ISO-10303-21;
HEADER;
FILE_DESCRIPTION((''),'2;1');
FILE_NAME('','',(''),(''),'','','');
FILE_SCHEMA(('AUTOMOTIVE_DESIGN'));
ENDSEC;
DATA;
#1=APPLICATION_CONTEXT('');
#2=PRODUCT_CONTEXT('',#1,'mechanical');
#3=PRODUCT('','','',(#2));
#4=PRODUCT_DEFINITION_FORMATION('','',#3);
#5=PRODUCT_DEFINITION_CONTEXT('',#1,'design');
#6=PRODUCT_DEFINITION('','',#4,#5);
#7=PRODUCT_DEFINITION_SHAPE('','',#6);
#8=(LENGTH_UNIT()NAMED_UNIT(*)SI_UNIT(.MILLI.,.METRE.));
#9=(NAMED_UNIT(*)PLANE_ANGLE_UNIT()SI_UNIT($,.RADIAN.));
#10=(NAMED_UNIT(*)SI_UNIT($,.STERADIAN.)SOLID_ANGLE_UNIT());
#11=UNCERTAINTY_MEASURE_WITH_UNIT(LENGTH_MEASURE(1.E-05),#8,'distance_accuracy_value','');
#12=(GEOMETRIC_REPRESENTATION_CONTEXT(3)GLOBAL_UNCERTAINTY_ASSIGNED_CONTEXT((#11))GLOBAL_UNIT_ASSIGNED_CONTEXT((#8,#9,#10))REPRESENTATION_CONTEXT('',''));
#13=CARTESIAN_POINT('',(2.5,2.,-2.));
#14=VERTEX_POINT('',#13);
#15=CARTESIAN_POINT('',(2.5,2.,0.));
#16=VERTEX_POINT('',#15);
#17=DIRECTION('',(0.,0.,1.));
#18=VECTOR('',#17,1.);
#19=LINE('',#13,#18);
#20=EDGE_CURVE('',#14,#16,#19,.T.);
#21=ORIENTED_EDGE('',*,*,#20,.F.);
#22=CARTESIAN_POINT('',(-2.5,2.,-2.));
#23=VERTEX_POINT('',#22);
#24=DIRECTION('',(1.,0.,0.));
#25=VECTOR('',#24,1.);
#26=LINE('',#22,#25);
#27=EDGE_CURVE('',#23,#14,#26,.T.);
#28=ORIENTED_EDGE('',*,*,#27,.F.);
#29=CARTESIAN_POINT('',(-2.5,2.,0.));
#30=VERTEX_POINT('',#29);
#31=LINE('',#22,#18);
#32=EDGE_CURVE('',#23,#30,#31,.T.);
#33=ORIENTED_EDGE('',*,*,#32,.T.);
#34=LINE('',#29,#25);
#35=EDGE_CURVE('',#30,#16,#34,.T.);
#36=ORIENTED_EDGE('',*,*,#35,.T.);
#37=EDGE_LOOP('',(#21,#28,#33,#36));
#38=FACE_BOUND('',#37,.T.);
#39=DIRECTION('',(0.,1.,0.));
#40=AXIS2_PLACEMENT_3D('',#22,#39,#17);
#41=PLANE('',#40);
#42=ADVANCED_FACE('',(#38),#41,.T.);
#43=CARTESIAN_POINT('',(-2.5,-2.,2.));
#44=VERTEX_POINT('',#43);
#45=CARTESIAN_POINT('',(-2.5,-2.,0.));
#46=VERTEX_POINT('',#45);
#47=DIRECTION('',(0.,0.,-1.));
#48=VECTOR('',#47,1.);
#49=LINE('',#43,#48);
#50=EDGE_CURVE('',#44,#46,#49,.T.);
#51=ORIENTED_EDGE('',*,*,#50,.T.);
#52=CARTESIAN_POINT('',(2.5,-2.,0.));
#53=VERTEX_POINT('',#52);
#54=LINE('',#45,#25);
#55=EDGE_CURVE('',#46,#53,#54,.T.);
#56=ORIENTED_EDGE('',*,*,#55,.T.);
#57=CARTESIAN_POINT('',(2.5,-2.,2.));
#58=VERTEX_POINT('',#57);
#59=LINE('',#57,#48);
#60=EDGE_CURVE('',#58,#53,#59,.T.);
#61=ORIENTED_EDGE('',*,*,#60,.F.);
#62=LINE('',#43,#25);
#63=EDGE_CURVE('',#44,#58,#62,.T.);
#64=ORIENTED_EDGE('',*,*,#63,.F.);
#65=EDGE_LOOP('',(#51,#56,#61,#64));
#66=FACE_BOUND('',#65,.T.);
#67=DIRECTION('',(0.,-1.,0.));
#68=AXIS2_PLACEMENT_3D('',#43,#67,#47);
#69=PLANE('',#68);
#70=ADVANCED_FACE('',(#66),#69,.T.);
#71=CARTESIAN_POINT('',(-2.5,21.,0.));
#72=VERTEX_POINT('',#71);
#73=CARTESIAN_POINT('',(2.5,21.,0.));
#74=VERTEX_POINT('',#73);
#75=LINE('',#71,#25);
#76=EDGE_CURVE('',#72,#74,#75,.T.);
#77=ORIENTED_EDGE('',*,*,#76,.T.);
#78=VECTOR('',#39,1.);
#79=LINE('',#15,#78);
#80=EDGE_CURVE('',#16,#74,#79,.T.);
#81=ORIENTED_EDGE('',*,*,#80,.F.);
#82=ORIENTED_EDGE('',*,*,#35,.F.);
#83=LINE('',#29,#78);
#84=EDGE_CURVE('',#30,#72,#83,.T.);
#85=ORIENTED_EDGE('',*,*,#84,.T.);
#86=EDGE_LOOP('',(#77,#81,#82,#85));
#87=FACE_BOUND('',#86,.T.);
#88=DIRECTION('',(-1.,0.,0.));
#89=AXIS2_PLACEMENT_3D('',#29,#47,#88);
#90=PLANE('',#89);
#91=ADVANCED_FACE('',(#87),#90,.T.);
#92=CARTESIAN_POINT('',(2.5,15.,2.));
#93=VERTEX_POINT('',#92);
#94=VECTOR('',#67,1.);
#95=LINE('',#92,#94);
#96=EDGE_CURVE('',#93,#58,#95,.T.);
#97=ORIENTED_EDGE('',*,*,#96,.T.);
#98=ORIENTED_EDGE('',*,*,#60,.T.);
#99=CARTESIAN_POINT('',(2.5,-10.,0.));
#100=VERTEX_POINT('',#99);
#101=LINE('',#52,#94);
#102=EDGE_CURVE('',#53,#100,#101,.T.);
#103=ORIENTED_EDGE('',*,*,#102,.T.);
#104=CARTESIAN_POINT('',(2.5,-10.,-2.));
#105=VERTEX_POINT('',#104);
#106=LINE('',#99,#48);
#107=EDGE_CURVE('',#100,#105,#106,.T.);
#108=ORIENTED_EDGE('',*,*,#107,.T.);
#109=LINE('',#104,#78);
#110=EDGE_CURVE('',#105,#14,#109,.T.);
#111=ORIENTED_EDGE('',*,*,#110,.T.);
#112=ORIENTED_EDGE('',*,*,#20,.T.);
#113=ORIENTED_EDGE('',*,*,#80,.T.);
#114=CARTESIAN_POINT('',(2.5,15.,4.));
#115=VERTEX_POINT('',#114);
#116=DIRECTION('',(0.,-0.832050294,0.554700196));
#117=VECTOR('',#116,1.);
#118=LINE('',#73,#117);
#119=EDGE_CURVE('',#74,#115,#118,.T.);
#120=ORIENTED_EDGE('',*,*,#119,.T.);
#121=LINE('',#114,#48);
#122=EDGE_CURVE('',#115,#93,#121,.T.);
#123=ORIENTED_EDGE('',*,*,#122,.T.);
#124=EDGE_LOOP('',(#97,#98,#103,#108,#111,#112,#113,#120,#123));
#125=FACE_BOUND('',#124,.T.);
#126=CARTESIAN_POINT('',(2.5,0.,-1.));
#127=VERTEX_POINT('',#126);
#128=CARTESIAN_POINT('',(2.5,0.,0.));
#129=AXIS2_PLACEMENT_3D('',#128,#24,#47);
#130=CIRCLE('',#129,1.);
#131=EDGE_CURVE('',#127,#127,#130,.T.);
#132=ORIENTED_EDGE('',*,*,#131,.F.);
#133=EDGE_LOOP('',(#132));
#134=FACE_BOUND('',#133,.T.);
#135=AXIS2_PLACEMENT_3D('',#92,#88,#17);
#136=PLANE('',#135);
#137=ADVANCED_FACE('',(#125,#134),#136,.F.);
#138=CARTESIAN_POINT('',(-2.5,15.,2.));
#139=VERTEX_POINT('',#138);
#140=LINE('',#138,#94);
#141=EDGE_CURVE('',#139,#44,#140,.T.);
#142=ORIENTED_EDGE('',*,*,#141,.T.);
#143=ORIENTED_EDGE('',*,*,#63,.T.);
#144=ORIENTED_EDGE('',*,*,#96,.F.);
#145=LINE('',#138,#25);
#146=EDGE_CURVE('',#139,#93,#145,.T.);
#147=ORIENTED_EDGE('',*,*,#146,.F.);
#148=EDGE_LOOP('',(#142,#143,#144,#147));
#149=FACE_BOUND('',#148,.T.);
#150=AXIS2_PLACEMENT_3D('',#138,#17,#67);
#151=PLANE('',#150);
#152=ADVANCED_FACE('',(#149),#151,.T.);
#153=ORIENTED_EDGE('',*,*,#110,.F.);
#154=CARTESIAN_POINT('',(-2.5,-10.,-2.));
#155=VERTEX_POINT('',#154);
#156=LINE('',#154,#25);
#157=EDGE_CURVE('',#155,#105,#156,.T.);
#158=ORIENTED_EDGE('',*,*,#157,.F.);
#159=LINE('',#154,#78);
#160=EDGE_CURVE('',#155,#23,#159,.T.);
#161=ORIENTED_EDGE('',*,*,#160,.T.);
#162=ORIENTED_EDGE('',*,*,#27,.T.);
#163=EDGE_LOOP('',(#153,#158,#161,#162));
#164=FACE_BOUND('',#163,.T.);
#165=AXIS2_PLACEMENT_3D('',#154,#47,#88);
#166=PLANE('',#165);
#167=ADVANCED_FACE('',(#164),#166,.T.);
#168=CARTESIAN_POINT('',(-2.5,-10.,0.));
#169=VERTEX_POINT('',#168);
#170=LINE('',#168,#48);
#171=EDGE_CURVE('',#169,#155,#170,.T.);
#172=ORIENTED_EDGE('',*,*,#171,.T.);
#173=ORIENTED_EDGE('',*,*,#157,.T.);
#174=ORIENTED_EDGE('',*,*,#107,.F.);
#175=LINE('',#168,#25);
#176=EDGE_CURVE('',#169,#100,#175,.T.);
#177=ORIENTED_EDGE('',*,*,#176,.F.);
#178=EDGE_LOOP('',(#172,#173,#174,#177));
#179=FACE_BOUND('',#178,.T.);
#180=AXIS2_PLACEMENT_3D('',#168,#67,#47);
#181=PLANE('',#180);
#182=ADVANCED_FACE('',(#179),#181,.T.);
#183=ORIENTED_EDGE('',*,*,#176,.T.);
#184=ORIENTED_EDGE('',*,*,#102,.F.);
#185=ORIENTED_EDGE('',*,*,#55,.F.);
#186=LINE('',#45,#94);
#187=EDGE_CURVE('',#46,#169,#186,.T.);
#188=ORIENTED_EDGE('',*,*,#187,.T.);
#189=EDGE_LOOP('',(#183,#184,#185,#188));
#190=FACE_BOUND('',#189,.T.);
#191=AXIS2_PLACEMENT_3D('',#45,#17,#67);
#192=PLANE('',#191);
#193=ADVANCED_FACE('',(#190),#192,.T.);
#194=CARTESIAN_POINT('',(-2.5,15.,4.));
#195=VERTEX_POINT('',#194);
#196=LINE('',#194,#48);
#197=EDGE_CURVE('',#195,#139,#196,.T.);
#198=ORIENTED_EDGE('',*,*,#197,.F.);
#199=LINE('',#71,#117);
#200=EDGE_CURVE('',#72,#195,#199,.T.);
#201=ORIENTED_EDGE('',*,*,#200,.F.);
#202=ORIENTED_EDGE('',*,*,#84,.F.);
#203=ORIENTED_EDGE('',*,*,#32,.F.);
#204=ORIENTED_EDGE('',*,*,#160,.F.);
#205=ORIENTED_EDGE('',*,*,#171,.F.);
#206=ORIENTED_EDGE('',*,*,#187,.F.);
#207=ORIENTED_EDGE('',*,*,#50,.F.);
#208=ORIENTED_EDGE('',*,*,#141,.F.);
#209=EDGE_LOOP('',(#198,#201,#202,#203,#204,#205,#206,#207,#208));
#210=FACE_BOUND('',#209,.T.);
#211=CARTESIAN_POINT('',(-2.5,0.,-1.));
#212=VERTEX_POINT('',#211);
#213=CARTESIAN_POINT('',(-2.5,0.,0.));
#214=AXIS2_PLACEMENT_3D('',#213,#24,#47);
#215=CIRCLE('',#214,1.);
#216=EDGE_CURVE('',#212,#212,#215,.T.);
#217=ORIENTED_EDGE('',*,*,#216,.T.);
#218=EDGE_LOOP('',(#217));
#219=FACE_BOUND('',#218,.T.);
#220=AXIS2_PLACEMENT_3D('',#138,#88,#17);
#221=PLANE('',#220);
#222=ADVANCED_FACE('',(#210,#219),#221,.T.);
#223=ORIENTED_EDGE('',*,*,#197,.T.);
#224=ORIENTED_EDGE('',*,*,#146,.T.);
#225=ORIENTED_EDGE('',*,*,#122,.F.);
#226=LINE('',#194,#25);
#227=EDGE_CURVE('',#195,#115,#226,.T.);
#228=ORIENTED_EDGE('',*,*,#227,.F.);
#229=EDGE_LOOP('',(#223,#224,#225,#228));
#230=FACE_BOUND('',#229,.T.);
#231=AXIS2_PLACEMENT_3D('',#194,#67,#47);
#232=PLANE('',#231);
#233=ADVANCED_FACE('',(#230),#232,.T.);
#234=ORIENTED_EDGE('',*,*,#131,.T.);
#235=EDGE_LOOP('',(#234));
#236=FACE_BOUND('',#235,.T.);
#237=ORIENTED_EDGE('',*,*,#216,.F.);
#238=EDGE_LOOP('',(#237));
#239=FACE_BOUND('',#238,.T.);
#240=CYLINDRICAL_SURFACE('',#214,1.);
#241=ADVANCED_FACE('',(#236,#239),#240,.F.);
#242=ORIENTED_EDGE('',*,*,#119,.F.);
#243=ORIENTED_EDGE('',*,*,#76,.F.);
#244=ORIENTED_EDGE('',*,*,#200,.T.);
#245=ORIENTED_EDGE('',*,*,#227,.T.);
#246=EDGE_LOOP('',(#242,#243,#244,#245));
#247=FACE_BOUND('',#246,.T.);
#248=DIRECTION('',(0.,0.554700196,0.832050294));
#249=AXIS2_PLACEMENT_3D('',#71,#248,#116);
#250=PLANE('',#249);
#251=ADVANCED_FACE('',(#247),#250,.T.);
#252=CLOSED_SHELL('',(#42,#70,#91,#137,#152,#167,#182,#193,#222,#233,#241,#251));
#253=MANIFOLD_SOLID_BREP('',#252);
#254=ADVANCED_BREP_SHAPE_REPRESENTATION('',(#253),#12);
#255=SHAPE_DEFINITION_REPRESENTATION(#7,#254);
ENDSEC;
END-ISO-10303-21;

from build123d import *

# Parameters (mm, degrees)
SKIZZE1_R               = 1
LINEAR_AUSTRAGEN1_DEPTH = 2.5


with BuildPart() as part:
    # Skizze1 → Linear austragen1 (new body, symmetric)
    with BuildSketch(Plane(origin=(0, 0, 0), x_dir=(0, 0, -1), z_dir=(1, 0, 0))):
        Polygon((0, 21), (-4, 15), (-2, 15), (-2, -2), (0, -2), (0, -10), (2, -10), (2, 2), (0, 2), align=None)
        Circle(SKIZZE1_R, mode=Mode.SUBTRACT)
    extrude(amount=LINEAR_AUSTRAGEN1_DEPTH, both=True)


solid = part.part
